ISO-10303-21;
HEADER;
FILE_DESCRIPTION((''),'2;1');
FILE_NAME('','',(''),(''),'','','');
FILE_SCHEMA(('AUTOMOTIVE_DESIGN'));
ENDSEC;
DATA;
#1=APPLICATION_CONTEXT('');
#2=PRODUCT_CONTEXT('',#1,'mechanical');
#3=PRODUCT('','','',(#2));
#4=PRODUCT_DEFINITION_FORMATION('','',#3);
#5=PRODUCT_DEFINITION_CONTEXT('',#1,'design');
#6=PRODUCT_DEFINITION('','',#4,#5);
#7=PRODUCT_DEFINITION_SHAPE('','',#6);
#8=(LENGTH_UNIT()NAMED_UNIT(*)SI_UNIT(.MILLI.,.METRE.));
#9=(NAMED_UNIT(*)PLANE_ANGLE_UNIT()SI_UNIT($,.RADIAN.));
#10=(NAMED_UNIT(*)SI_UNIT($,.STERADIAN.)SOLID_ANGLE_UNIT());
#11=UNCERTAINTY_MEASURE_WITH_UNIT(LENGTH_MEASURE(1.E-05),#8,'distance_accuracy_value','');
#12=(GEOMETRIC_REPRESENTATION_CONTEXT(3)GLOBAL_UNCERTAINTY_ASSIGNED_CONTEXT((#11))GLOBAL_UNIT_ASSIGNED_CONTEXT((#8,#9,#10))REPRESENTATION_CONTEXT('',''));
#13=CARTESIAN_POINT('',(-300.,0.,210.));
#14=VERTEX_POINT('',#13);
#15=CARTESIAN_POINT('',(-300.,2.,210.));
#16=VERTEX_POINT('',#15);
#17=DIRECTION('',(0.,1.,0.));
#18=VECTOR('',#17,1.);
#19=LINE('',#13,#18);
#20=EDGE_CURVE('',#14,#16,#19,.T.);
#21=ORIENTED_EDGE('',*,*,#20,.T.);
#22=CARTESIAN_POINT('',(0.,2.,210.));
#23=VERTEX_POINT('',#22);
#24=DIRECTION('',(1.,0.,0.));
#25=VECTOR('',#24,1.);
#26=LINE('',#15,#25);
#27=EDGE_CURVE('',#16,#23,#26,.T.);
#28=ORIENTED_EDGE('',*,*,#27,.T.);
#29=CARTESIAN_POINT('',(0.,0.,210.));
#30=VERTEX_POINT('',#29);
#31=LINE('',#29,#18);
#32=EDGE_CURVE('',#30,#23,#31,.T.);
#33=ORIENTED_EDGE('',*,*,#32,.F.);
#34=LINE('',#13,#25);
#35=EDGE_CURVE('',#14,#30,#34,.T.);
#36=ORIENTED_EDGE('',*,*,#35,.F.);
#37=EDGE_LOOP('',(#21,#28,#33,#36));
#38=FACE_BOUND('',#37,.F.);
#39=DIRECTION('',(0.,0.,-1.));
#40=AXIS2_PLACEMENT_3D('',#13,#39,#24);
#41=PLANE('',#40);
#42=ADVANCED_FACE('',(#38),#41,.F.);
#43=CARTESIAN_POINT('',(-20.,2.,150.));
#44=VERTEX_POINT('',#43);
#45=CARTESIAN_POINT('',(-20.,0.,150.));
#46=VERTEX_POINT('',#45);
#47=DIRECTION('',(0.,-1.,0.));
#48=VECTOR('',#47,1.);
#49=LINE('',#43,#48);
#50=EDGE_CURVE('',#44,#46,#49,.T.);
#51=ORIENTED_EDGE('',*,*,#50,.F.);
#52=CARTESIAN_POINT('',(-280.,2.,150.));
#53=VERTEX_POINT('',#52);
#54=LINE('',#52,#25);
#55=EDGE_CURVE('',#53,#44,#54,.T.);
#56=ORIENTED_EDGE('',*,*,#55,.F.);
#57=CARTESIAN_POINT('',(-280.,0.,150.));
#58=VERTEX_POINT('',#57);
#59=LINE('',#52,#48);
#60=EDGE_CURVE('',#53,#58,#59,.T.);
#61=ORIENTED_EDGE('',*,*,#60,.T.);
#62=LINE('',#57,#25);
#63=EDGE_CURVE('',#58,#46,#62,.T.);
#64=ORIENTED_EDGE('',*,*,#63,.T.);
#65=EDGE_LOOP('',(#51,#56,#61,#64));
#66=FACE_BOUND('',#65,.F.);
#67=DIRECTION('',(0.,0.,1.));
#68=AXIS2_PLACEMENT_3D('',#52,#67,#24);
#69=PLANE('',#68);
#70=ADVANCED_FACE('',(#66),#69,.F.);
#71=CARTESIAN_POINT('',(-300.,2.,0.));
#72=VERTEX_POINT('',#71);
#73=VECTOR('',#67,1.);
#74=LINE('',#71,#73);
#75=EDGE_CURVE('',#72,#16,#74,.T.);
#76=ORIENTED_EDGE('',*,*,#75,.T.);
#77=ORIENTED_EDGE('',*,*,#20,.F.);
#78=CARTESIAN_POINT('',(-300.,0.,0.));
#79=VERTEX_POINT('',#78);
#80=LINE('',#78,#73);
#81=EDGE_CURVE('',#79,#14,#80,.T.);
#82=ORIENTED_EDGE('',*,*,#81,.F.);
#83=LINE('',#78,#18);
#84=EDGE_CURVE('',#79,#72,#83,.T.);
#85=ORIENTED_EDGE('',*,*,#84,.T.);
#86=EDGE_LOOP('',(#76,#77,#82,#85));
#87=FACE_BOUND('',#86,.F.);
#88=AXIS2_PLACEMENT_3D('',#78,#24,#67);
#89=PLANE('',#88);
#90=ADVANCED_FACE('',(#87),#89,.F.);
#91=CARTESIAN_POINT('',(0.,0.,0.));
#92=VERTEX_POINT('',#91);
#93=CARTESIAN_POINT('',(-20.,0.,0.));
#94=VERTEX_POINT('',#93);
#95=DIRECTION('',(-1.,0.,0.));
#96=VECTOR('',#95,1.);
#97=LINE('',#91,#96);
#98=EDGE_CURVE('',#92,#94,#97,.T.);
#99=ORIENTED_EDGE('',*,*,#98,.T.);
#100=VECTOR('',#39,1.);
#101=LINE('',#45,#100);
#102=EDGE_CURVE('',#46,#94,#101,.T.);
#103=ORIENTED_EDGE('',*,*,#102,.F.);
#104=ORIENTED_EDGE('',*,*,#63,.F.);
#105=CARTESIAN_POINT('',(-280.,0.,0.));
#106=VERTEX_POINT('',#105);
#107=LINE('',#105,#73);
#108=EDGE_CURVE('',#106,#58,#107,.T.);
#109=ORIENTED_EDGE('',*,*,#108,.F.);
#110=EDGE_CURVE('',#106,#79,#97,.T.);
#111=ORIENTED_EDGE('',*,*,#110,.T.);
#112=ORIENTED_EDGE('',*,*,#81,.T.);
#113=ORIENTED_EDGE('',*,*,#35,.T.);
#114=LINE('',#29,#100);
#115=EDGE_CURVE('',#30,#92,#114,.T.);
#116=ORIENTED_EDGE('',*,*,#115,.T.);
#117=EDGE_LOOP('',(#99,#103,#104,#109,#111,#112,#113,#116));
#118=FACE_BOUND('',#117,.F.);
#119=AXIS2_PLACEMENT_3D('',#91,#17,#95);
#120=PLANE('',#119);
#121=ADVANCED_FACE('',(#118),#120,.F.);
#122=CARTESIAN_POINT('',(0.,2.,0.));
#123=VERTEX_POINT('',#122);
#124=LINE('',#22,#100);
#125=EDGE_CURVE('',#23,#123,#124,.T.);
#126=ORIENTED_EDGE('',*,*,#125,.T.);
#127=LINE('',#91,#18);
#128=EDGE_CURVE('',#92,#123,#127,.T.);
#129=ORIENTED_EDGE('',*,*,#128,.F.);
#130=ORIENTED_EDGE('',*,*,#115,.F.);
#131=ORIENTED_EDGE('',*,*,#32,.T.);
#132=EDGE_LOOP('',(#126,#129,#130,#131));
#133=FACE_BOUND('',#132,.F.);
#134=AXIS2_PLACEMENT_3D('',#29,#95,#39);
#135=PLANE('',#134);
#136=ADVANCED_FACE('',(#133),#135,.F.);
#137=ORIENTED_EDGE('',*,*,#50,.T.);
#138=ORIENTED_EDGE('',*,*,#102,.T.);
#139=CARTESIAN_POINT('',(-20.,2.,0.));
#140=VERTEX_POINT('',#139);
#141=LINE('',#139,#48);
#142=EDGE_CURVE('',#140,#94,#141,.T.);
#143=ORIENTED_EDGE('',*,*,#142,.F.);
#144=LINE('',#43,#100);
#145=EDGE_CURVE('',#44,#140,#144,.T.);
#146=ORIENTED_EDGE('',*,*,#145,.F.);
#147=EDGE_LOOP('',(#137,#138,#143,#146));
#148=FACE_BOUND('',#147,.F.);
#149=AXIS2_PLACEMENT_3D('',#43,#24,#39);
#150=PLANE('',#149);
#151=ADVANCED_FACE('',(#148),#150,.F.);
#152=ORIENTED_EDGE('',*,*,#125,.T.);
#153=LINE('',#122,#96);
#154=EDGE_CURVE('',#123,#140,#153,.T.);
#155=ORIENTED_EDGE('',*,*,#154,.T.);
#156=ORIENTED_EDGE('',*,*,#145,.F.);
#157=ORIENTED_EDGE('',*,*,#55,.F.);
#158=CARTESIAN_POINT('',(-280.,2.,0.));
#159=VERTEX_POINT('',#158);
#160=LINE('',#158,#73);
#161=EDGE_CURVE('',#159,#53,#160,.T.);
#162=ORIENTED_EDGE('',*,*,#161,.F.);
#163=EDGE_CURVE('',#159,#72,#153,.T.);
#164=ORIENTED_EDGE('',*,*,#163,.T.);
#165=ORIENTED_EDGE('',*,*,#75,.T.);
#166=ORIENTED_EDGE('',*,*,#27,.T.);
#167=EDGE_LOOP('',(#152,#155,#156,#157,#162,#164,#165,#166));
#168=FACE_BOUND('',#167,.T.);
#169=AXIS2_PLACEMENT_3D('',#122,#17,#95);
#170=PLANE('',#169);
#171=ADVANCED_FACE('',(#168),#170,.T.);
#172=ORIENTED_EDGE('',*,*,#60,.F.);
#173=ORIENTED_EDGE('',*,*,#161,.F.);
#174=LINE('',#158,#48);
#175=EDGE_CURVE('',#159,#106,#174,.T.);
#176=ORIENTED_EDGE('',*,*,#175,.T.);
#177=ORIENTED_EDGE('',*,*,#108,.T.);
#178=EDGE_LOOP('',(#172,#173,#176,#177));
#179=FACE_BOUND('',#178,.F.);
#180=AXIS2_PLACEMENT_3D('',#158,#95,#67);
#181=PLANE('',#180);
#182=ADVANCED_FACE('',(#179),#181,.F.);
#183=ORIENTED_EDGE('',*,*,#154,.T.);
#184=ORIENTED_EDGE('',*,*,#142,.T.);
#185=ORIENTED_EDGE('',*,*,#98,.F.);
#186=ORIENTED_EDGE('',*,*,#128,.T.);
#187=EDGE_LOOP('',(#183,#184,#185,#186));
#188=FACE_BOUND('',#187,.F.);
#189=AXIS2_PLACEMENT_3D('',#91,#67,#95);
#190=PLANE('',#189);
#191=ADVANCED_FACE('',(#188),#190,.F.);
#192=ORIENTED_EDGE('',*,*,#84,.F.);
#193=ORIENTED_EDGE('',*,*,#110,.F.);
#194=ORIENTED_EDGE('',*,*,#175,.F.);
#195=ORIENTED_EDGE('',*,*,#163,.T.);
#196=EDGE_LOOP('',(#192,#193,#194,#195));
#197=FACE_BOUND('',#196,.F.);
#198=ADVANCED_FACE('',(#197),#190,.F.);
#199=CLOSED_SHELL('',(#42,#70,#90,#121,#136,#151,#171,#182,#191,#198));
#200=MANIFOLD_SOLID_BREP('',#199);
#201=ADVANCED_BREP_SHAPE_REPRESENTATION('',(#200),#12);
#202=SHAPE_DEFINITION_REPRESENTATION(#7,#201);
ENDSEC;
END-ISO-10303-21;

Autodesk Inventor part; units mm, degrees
ref_plane "YZ Plane" through (0, 0, 0) normal (1, 0, 0) x (0, 1, 0)
ref_plane "XZ Plane" through (0, 0, 0) normal (0, 1, 0) x (-1, 0, 0)
ref_plane "XY Plane" through (0, 0, 0) normal (0, 0, 1) x (1, 0, 0)
sketch "草圖1" plane through (0, 0, 0) normal (0, 1, 0) x (-1, 0, 0)
  point P0 (0, 0)
sketch "草圖2" plane through (0, 0, 0) normal (0, 1, 0) x (-1, 0, 0)
  line L0 (0, 0) -> (300, 0)
  line L1 (300, 0) -> (300, 210)
  line L2 (300, 210) -> (0, 210)
  line L3 (0, 210) -> (0, 0)
  dimension "d0" = 210
  dimension "d1" = 300
extrude "擠出1" add sketch "草圖2" along normal blind 2
sketch "草圖3" plane through (0, 2, 0) normal (0, 1, 0) x (1, 0, 0)
  line L0 (-280, -150) -> (-20, -150)
  line L1 (-20, -150) -> (-20, 0)
  line L2 (-20, 0) -> (-280, 0)
  line L3 (-280, 0) -> (-280, -150)
  line L4 (0, 0) -> (-300, 0) projected
  line L5 (-300, 0) -> (-300, -210) projected
  dimension "d4" = 260
  dimension "d5" = 150
  dimension "d6" = 20
extrude "擠出2" cut sketch "草圖3" against normal up to surface (2 mm away)
equation "\"d0\" = W_"
equation "\"d1\" = L_"
equation "\"d2\" = h_"
equation "\"d4\" = l_"
equation "\"d5\" = w_"
equation "\"d6\" = -0.5 * l_ + 0.5 * L_"
equation "\"d7\" = h_"
equation "\"W_\" = 210"
equation "\"L_\" = 300"
equation "\"h_\" = 2"
equation "\"w_\" = 150"
equation "\"l_\" = 260"
